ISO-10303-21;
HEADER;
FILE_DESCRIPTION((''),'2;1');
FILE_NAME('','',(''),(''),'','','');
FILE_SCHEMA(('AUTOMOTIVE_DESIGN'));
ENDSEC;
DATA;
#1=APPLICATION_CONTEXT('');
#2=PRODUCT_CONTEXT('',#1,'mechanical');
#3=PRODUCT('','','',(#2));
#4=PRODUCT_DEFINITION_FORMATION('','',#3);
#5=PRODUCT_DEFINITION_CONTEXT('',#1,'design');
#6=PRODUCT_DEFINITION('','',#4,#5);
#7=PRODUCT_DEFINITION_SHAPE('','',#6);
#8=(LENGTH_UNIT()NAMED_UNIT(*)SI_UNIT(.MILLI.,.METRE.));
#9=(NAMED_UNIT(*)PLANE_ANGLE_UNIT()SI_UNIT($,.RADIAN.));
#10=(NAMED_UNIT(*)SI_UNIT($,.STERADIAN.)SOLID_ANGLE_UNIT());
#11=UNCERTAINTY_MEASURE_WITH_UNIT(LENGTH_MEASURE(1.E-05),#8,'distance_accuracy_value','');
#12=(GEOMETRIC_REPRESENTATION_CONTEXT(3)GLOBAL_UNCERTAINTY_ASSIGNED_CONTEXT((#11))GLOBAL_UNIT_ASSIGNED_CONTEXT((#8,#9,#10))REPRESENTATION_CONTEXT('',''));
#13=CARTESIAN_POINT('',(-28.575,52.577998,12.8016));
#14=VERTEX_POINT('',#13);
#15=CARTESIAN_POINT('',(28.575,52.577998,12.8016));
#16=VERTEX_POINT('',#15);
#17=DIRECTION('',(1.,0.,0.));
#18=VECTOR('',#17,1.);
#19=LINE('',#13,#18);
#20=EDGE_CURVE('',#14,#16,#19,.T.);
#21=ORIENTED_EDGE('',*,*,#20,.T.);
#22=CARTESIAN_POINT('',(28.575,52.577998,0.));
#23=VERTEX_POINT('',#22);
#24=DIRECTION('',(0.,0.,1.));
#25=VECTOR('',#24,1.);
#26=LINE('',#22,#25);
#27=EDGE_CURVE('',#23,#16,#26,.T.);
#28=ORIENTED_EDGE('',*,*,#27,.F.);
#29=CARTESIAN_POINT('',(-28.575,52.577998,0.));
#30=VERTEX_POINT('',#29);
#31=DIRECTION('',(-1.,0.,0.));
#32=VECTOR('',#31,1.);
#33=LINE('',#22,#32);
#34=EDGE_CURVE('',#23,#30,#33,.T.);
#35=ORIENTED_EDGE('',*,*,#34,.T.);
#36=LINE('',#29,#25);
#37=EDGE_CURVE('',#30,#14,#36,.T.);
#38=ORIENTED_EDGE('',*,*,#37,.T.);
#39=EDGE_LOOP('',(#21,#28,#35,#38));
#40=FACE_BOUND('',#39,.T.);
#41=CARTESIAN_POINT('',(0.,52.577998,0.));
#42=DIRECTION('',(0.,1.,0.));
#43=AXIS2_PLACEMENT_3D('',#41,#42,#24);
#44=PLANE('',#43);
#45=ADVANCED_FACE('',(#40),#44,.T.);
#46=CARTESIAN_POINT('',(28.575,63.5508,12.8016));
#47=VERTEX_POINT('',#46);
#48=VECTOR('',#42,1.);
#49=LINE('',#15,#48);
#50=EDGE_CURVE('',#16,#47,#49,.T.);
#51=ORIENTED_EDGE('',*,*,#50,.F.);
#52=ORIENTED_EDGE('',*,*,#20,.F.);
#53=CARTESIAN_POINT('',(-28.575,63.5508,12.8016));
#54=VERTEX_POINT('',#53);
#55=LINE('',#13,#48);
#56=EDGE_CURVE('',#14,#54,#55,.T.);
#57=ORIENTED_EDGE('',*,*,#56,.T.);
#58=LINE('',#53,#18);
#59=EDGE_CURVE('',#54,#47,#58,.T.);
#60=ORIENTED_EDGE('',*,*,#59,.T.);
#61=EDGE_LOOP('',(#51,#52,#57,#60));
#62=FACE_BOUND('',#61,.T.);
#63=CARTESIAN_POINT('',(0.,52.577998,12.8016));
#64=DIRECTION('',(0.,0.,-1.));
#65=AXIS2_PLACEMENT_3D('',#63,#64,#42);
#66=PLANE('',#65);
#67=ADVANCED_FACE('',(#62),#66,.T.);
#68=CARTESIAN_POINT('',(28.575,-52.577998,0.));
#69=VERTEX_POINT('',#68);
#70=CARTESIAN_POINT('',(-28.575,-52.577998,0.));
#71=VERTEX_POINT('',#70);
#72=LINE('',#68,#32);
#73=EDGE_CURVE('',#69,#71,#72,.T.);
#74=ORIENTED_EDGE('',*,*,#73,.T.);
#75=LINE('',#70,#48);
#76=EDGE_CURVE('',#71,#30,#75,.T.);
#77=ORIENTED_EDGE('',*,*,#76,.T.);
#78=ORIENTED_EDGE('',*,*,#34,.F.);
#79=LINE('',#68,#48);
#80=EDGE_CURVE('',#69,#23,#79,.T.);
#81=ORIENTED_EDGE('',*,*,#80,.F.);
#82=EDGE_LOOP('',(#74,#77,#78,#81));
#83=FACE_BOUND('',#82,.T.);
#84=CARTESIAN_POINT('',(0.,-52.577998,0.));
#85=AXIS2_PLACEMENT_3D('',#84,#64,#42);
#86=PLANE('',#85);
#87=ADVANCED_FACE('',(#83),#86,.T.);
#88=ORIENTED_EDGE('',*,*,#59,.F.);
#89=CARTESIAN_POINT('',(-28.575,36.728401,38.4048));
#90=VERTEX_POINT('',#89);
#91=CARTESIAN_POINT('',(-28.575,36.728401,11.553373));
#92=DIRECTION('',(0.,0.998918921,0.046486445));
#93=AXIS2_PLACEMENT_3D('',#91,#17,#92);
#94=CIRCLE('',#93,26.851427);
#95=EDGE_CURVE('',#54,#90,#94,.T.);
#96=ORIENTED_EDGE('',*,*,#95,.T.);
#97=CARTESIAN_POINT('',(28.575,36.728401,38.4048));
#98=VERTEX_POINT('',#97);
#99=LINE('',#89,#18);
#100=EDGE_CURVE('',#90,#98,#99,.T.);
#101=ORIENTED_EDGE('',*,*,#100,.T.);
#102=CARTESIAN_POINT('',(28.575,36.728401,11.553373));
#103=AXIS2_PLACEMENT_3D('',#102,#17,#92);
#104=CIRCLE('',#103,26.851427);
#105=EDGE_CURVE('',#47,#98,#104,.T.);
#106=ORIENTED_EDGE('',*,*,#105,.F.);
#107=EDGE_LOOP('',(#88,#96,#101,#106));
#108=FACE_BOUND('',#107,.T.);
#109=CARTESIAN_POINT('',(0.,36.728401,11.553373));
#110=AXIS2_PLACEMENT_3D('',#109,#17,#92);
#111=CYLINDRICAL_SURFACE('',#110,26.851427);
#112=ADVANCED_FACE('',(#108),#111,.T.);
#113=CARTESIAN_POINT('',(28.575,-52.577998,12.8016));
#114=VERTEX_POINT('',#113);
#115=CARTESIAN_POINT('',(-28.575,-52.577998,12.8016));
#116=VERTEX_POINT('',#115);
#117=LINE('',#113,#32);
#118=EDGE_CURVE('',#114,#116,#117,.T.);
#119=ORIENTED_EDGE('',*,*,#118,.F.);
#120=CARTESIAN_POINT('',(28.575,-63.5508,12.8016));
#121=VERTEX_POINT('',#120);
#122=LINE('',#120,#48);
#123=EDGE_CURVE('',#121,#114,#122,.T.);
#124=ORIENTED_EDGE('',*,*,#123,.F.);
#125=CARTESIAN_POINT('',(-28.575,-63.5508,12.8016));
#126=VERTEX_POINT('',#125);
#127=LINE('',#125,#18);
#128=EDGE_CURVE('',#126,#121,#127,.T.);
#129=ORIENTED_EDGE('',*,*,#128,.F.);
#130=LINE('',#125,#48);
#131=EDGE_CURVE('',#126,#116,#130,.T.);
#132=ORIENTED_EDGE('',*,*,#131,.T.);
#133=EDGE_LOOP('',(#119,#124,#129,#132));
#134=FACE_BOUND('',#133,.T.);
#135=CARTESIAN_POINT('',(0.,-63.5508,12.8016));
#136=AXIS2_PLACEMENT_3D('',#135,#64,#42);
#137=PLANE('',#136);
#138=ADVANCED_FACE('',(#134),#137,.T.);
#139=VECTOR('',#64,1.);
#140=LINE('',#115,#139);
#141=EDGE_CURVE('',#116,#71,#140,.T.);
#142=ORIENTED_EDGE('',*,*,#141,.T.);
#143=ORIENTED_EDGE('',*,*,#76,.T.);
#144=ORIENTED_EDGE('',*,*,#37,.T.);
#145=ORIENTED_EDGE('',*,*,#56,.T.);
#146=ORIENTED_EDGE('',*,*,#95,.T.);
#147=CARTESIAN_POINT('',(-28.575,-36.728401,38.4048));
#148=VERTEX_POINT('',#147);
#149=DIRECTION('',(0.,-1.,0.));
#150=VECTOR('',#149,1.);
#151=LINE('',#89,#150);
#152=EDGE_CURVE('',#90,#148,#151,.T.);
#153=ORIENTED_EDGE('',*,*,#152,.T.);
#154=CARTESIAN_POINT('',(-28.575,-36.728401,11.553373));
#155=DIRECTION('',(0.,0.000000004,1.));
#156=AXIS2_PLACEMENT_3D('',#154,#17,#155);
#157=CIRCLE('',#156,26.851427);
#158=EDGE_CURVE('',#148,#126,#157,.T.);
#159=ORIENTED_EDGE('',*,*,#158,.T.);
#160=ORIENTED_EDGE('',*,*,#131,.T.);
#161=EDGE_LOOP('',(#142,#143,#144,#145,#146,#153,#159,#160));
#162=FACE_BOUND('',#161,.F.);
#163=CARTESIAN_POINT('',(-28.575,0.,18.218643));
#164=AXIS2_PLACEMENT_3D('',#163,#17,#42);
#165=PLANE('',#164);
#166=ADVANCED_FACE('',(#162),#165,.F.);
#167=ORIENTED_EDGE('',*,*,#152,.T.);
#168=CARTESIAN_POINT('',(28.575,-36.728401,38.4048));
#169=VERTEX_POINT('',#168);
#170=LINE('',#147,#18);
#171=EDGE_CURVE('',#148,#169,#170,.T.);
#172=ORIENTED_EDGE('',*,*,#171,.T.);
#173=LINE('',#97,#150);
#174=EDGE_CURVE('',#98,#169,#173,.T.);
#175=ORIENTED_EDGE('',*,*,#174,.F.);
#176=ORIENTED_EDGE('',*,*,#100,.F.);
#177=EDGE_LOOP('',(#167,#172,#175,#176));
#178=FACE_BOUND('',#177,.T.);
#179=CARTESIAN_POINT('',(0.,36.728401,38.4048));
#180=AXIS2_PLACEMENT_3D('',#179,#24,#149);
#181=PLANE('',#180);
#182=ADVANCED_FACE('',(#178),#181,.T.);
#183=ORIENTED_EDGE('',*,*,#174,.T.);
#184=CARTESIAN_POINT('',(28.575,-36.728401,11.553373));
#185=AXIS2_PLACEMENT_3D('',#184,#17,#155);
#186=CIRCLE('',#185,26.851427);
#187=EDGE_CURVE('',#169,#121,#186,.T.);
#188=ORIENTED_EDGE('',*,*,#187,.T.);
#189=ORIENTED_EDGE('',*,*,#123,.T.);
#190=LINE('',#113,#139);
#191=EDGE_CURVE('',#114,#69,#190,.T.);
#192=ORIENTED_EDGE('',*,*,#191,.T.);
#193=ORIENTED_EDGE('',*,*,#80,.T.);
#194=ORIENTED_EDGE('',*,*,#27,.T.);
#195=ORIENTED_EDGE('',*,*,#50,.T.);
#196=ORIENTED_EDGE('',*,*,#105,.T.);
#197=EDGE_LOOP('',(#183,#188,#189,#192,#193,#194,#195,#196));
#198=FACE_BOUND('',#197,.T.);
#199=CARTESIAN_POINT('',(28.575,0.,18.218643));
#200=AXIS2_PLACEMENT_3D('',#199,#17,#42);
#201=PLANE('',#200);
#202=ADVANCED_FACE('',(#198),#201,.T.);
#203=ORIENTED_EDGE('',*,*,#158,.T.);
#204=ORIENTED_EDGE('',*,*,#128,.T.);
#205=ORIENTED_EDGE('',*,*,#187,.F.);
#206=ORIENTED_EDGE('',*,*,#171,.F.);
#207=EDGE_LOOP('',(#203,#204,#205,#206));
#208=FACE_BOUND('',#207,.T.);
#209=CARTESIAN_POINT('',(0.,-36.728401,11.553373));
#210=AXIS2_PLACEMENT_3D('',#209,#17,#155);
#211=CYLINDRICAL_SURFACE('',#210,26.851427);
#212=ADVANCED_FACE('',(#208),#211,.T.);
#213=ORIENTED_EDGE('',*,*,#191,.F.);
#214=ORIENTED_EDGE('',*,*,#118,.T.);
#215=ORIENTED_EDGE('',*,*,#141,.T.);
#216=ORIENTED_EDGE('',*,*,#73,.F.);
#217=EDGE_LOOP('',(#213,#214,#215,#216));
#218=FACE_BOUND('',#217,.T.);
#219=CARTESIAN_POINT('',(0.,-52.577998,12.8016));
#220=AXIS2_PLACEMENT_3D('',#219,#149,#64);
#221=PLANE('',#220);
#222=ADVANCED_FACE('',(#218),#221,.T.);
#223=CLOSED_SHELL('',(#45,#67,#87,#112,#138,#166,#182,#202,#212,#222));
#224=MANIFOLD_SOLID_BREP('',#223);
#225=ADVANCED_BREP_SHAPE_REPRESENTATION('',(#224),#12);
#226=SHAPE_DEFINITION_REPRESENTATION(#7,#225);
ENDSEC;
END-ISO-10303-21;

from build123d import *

# Parameters (mm, degrees)
F1_DEPTH      = 28.575
F1_DEPTH_BACK = 28.575


with BuildPart() as f1:
    # F0 (on Right) → F1 (new body, two sides)
    with BuildSketch(Plane.YZ) as f1_sk:
        with BuildLine():
            Line((-36.728401, 0), (0, 0))
            Line((0, 0), (52.577998, 0))
            Line((52.577998, 0), (52.577998, 12.8016))
            Line((52.577998, 12.8016), (63.5508, 12.8016))
            ThreePointArc((63.5508, 12.8016), (55.268661, 30.976501), (36.728401, 38.4048))
            Line((36.728401, 38.4048), (-36.728401, 38.4048))
            ThreePointArc((-36.728401, 38.4048), (-55.268661, 30.976501), (-63.5508, 12.8016))
            Line((-63.5508, 12.8016), (-52.577998, 12.8016))
            Line((-52.577998, 12.8016), (-52.577998, 0))
            Line((-52.577998, 0), (-36.728401, 0))
        make_face()
    extrude(amount=F1_DEPTH)
    extrude(f1_sk.sketch, amount=-F1_DEPTH_BACK)


solid = f1.part
